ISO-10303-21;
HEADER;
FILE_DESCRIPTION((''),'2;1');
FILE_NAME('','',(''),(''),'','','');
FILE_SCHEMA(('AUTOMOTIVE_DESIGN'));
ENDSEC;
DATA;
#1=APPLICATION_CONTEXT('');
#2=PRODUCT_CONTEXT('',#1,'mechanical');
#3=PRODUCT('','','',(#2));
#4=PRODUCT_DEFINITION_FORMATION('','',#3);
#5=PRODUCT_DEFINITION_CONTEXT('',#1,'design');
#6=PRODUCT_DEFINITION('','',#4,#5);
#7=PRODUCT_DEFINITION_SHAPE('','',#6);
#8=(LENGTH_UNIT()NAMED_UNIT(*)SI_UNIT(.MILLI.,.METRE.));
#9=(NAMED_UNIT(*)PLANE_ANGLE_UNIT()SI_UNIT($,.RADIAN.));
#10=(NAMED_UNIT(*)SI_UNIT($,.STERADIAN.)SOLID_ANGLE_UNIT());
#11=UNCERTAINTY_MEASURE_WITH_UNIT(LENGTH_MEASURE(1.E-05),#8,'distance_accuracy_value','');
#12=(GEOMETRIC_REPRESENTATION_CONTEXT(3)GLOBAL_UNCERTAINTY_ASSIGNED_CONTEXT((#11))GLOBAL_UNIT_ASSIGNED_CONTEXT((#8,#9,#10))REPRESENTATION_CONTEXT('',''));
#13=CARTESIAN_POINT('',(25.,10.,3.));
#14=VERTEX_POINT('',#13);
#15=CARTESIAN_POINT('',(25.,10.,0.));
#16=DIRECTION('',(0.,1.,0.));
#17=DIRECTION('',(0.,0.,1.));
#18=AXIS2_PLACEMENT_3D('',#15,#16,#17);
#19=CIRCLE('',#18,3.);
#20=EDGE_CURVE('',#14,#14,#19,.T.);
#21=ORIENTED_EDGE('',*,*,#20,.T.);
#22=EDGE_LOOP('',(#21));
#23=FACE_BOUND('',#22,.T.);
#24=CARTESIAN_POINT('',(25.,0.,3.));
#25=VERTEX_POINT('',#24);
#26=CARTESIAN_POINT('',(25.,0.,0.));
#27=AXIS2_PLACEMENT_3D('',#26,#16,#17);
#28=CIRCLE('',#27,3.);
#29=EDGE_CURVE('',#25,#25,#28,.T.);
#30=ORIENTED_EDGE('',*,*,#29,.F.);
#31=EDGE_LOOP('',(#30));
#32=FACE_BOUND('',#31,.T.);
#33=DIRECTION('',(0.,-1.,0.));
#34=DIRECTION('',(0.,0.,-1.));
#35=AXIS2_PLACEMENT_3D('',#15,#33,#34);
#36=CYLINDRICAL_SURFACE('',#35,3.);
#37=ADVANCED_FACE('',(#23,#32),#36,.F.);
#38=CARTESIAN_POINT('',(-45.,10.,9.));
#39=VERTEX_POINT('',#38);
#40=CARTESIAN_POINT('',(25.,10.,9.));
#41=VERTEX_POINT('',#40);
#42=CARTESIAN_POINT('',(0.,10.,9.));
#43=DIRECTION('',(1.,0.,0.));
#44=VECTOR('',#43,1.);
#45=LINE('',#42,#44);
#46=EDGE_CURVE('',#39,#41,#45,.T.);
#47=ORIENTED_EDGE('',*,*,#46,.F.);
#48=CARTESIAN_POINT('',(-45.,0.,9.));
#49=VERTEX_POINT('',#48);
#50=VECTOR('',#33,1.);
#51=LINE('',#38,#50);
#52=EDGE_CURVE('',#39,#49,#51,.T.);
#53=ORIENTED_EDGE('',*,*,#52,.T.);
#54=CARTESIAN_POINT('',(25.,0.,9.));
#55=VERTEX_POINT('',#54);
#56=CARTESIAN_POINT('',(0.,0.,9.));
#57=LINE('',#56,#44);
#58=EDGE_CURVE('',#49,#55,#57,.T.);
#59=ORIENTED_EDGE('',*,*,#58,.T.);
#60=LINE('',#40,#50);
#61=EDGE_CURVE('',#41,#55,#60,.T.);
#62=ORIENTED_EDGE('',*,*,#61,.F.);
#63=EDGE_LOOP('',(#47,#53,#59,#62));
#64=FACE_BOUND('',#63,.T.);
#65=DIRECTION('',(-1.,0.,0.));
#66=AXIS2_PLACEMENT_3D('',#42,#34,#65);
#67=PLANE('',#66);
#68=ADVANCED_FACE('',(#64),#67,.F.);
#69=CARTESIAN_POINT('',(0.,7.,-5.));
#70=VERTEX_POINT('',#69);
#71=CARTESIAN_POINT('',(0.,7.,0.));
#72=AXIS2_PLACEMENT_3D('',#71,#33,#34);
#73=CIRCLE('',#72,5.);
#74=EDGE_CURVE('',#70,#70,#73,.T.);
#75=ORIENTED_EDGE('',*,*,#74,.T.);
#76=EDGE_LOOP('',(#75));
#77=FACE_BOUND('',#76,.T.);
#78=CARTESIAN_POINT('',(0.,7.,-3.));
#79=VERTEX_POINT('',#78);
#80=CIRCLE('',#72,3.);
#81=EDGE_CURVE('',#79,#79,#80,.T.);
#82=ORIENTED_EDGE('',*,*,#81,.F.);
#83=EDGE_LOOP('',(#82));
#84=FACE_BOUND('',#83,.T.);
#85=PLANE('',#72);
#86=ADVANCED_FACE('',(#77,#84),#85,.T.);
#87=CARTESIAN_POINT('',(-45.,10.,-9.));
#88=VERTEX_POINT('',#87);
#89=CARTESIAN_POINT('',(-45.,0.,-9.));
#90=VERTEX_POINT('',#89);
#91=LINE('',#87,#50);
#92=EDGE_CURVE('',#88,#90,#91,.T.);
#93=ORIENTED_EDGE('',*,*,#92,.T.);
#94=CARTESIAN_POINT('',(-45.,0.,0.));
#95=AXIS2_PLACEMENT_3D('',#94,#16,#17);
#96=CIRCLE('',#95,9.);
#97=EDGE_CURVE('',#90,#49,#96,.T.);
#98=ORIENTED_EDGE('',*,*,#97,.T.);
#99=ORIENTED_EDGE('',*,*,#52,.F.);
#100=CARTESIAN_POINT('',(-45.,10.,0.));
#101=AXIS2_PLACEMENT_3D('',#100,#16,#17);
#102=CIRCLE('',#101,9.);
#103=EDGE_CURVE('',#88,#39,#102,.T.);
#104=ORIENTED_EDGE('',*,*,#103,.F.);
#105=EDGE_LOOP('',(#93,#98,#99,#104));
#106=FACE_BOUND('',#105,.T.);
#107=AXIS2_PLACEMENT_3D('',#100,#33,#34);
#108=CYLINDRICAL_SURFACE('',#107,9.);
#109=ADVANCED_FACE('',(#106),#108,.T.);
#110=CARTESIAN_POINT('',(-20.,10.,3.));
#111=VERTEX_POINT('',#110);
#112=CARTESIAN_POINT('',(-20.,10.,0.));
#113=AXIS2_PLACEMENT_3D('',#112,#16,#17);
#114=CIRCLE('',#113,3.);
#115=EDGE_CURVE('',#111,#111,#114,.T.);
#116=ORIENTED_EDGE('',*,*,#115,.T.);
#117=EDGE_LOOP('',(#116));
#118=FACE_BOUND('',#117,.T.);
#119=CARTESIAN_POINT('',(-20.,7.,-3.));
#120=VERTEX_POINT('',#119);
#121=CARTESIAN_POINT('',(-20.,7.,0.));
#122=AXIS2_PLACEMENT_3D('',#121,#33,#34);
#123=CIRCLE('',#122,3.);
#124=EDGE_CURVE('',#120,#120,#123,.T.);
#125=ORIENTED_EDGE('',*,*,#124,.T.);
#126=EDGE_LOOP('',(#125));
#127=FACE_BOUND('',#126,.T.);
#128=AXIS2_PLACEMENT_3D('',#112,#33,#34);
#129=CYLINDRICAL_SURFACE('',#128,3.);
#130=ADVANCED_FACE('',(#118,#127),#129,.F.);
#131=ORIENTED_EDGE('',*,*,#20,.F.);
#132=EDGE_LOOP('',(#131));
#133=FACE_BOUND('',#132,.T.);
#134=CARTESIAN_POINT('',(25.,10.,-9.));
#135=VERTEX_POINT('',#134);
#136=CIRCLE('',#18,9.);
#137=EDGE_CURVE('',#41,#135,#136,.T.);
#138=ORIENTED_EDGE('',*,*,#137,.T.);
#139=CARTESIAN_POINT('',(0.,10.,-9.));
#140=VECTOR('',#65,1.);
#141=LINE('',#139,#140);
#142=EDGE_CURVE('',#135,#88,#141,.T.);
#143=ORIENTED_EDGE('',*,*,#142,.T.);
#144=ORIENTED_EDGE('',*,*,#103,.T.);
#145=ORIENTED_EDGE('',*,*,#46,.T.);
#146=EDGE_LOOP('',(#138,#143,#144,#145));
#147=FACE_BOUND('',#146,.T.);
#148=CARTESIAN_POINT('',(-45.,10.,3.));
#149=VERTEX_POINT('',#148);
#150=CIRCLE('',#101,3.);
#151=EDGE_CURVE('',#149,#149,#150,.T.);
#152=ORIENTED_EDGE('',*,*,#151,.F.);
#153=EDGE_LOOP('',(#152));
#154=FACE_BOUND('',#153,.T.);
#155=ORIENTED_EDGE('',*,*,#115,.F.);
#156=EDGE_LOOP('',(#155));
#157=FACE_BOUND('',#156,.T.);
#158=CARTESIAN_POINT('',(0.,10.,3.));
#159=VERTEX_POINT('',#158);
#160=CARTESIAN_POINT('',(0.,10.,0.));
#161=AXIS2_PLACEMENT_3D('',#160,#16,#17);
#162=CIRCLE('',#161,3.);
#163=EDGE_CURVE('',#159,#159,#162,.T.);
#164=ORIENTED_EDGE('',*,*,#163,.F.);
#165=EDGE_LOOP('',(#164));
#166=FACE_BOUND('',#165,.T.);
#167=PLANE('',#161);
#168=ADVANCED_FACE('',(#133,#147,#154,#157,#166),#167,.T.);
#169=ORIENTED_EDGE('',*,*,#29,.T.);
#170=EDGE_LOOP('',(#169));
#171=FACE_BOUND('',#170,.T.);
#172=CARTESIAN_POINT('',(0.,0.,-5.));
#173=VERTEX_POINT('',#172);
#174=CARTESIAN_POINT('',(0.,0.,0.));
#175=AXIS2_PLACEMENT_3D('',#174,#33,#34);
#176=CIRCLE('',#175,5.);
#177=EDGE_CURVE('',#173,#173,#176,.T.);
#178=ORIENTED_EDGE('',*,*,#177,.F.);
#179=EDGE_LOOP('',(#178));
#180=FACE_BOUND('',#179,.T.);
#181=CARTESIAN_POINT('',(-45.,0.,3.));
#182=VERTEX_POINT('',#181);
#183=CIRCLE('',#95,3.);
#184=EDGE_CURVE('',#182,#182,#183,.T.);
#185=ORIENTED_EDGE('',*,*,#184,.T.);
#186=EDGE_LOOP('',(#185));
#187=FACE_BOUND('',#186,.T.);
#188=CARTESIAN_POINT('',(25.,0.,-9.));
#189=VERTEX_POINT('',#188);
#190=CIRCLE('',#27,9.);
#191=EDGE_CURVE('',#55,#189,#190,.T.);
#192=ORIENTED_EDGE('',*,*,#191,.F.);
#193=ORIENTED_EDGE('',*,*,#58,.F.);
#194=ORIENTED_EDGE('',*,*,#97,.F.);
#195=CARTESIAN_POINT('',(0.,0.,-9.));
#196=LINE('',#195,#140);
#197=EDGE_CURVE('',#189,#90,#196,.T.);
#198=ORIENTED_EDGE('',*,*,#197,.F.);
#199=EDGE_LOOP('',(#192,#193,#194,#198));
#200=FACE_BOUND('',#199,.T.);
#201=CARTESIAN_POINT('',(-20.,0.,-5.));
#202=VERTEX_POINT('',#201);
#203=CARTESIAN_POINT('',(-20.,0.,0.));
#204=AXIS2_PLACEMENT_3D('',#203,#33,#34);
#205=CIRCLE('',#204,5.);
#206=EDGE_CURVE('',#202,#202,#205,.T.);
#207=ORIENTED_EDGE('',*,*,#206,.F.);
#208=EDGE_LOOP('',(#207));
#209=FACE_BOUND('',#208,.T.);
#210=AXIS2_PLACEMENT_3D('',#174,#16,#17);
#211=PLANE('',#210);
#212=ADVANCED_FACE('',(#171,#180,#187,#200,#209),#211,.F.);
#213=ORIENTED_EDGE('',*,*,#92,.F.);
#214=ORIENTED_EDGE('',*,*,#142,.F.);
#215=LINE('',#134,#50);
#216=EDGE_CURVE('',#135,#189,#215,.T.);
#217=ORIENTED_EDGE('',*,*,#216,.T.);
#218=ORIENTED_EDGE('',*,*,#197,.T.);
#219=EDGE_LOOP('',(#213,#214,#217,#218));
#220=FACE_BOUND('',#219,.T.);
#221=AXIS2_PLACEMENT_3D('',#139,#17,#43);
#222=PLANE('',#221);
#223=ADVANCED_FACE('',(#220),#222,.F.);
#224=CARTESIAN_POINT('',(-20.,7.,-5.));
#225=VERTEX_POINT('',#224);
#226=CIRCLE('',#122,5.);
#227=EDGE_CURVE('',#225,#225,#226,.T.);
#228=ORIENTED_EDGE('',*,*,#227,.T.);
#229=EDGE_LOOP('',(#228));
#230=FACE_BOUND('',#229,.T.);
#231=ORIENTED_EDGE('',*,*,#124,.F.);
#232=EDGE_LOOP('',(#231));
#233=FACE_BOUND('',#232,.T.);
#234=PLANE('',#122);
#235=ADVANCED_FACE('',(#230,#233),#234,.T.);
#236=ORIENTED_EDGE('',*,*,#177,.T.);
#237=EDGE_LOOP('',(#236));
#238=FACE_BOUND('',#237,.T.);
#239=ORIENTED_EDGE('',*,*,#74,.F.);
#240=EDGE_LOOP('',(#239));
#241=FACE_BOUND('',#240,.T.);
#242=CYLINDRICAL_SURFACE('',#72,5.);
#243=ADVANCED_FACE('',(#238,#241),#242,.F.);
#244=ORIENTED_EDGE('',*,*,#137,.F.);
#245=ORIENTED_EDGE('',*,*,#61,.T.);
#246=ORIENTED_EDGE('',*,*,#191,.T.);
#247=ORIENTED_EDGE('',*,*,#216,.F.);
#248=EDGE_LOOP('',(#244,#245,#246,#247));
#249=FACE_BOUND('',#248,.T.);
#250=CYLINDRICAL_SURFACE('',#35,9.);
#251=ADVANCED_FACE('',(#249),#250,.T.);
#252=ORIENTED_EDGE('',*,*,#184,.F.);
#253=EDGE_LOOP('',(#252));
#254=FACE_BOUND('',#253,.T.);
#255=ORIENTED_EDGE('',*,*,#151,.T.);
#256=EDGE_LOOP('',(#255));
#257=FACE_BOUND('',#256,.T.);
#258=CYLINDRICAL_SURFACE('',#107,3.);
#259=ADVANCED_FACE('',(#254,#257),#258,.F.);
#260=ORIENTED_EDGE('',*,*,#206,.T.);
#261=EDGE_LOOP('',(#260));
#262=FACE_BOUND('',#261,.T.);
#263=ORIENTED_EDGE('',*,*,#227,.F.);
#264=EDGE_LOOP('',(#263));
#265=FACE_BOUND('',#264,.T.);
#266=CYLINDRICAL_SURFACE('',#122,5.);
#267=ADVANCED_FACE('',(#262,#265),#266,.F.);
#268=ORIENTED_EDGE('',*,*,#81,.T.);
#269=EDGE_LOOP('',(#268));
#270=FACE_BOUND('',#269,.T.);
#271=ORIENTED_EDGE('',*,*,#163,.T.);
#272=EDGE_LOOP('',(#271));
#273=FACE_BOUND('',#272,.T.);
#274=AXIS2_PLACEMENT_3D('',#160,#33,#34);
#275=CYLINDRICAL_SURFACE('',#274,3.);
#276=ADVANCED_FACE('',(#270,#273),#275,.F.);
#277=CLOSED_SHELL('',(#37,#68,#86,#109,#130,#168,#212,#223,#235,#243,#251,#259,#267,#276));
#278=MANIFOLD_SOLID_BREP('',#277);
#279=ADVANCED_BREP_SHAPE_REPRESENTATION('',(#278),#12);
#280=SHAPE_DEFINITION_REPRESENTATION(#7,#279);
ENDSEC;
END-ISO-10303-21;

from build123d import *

# Parameters (mm, degrees)
SKETCH2_R           = 3
BOSS_EXTRUDE1_DEPTH = 10
SKETCH3_R           = 5
CUT_EXTRUDE1_DEPTH  = 7


with BuildPart() as part:
    # Sketch2 → Boss-Extrude1 (new body)
    with BuildSketch(Plane(origin=(0, 0, 0), x_dir=(1, 0, 0), z_dir=(0, 1, 0))):
        with BuildLine():
            ThreePointArc((25, -9), (34, 0), (25, 9))
            Line((25, 9), (-45, 9))
            ThreePointArc((-45, 9), (-54, 0), (-45, -9))
            Line((-45, -9), (25, -9))
        make_face()
        with Locations((-20, 0)):
            Circle(SKETCH2_R, mode=Mode.SUBTRACT)
        Circle(SKETCH2_R, mode=Mode.SUBTRACT)
        with Locations((25, 0)):
            Circle(SKETCH2_R, mode=Mode.SUBTRACT)
        with Locations((-45, 0)):
            Circle(SKETCH2_R, mode=Mode.SUBTRACT)
    extrude(amount=BOSS_EXTRUDE1_DEPTH)

    # Sketch3 → Cut-Extrude1 (cut)
    with BuildSketch(Plane.XZ):
        with Locations((-20, 0)):
            Circle(SKETCH3_R)
        Circle(SKETCH3_R)
    extrude(amount=-CUT_EXTRUDE1_DEPTH, mode=Mode.SUBTRACT)


solid = part.part
